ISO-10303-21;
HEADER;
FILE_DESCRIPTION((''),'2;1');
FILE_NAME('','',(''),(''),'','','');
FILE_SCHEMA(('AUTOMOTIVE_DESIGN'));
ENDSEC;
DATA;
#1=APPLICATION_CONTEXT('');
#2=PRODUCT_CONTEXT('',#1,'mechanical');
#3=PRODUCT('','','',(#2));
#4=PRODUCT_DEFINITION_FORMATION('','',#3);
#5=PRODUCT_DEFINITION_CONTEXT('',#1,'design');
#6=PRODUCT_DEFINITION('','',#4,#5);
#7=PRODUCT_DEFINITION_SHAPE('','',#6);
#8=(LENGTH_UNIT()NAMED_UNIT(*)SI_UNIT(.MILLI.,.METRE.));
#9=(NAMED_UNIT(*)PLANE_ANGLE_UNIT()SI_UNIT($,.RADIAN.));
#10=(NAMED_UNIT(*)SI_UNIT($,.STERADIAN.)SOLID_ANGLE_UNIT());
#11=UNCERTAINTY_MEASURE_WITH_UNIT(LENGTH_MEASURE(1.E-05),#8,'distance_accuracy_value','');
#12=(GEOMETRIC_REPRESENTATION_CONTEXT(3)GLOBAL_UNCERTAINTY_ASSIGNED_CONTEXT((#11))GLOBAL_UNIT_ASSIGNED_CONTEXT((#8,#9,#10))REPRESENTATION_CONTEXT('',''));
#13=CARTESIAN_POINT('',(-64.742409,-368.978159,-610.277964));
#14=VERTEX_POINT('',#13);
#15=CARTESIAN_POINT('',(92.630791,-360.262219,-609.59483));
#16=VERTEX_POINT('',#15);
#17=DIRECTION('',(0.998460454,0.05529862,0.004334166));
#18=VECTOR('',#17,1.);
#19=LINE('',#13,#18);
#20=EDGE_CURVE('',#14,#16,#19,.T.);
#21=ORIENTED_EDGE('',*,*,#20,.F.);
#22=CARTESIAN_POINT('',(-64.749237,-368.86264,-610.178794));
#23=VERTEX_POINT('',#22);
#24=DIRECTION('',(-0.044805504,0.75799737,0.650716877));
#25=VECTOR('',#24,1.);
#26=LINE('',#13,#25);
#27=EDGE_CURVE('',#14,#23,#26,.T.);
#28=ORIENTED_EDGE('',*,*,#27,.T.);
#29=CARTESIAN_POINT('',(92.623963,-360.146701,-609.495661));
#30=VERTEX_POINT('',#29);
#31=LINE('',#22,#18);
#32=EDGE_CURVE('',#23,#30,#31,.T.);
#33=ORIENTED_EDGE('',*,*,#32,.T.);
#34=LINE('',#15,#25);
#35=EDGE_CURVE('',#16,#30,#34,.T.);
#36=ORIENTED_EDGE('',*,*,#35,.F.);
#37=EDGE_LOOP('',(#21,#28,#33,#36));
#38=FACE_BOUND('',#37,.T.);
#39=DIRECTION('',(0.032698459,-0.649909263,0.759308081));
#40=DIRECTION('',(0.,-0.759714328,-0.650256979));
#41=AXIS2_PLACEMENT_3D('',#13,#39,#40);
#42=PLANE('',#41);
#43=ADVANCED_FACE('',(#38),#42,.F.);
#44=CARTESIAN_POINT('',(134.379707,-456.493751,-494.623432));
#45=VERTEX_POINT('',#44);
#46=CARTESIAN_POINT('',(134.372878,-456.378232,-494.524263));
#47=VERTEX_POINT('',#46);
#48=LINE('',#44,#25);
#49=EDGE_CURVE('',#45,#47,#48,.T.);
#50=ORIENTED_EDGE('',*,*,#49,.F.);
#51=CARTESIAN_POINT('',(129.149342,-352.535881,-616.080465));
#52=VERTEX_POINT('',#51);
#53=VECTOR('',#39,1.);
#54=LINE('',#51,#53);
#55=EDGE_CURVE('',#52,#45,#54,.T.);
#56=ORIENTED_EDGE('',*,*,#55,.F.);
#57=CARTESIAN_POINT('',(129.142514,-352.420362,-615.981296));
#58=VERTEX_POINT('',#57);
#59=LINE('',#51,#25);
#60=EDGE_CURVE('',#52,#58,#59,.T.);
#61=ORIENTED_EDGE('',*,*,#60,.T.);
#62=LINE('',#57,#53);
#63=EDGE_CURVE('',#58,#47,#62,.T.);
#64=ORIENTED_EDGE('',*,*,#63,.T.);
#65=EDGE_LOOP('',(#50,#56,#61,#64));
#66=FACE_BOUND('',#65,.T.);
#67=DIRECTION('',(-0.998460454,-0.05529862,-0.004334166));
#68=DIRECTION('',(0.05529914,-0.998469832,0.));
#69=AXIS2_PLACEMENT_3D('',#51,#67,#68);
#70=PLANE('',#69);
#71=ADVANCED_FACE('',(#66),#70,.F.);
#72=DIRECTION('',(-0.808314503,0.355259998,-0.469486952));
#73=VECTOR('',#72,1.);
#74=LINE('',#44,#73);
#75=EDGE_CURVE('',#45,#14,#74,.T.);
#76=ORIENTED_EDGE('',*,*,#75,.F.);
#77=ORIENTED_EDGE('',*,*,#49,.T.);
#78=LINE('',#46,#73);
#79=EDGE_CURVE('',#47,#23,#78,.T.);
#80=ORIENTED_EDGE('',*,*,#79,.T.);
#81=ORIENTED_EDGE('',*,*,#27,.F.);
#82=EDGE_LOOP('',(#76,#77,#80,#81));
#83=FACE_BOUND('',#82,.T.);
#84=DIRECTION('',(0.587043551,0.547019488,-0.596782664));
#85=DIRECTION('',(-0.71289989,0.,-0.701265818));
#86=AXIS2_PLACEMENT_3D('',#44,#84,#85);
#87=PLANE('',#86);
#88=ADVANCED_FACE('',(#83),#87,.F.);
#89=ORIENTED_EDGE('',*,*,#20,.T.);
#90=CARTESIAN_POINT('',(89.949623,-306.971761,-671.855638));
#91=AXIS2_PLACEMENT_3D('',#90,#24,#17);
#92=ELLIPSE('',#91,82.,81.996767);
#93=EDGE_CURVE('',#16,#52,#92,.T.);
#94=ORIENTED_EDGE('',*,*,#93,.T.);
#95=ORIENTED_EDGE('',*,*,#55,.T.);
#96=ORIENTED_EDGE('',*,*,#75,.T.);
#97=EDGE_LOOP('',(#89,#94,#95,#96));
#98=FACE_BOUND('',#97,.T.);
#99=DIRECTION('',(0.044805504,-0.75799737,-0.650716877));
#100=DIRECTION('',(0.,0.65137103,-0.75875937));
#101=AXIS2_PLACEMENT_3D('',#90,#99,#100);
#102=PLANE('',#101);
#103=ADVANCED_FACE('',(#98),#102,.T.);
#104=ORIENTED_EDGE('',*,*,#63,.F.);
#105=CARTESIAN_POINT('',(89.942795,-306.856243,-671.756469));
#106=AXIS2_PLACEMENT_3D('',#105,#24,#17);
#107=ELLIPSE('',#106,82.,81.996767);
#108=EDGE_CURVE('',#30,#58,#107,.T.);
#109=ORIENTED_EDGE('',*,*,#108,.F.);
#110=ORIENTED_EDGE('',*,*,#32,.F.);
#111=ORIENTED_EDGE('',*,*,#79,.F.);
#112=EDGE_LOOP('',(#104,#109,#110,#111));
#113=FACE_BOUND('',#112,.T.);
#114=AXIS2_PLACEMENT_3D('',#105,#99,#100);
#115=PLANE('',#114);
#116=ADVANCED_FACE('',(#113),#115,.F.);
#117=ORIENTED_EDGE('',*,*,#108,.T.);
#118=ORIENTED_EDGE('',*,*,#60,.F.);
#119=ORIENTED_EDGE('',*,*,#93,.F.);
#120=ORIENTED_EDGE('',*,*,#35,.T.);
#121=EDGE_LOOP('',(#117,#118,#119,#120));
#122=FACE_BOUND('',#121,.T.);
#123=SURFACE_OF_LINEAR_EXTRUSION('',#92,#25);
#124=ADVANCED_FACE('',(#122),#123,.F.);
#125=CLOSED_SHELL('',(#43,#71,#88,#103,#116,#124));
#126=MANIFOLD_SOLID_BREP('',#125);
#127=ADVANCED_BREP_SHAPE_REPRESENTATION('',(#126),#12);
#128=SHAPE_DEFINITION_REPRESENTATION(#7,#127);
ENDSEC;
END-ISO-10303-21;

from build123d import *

# Parameters (mm, degrees)
BOSS_EXTRUDE1_DEPTH = 0.0762


with BuildPart() as part:
    # Sketch2 → Boss-Extrude1 (new, symmetric)
    with BuildSketch(Plane(origin=(-109.649906409, -282.836957695, -713.595872526), x_dir=(0.998460453708484, 0.05529862010587768, 0.004334165967541292), z_dir=(0.04480550370073853, -0.7579973701260059, -0.6507168767752854))):
        with BuildLine():
            Line((40.522667634, 135.902493489), (198.13852487, 135.902493489))
            add(Edge.make_bspline(
                [(235, 127.150580223), (217.608315086, 135.902493489), (198.13852487, 135.902493489)],
                knots=[1.10455701, 1.10455701, 1.10455701, 1.570796327, 1.570796327, 1.570796327], degree=2, weights=[1, 0.972950446, 1]))
            Line((235, 127.150580223), (235, 287.108094093))
            Line((235, 287.108094093), (40.522667634, 135.902493489))
        make_face()
    extrude(amount=BOSS_EXTRUDE1_DEPTH, both=True)


solid = part.part
